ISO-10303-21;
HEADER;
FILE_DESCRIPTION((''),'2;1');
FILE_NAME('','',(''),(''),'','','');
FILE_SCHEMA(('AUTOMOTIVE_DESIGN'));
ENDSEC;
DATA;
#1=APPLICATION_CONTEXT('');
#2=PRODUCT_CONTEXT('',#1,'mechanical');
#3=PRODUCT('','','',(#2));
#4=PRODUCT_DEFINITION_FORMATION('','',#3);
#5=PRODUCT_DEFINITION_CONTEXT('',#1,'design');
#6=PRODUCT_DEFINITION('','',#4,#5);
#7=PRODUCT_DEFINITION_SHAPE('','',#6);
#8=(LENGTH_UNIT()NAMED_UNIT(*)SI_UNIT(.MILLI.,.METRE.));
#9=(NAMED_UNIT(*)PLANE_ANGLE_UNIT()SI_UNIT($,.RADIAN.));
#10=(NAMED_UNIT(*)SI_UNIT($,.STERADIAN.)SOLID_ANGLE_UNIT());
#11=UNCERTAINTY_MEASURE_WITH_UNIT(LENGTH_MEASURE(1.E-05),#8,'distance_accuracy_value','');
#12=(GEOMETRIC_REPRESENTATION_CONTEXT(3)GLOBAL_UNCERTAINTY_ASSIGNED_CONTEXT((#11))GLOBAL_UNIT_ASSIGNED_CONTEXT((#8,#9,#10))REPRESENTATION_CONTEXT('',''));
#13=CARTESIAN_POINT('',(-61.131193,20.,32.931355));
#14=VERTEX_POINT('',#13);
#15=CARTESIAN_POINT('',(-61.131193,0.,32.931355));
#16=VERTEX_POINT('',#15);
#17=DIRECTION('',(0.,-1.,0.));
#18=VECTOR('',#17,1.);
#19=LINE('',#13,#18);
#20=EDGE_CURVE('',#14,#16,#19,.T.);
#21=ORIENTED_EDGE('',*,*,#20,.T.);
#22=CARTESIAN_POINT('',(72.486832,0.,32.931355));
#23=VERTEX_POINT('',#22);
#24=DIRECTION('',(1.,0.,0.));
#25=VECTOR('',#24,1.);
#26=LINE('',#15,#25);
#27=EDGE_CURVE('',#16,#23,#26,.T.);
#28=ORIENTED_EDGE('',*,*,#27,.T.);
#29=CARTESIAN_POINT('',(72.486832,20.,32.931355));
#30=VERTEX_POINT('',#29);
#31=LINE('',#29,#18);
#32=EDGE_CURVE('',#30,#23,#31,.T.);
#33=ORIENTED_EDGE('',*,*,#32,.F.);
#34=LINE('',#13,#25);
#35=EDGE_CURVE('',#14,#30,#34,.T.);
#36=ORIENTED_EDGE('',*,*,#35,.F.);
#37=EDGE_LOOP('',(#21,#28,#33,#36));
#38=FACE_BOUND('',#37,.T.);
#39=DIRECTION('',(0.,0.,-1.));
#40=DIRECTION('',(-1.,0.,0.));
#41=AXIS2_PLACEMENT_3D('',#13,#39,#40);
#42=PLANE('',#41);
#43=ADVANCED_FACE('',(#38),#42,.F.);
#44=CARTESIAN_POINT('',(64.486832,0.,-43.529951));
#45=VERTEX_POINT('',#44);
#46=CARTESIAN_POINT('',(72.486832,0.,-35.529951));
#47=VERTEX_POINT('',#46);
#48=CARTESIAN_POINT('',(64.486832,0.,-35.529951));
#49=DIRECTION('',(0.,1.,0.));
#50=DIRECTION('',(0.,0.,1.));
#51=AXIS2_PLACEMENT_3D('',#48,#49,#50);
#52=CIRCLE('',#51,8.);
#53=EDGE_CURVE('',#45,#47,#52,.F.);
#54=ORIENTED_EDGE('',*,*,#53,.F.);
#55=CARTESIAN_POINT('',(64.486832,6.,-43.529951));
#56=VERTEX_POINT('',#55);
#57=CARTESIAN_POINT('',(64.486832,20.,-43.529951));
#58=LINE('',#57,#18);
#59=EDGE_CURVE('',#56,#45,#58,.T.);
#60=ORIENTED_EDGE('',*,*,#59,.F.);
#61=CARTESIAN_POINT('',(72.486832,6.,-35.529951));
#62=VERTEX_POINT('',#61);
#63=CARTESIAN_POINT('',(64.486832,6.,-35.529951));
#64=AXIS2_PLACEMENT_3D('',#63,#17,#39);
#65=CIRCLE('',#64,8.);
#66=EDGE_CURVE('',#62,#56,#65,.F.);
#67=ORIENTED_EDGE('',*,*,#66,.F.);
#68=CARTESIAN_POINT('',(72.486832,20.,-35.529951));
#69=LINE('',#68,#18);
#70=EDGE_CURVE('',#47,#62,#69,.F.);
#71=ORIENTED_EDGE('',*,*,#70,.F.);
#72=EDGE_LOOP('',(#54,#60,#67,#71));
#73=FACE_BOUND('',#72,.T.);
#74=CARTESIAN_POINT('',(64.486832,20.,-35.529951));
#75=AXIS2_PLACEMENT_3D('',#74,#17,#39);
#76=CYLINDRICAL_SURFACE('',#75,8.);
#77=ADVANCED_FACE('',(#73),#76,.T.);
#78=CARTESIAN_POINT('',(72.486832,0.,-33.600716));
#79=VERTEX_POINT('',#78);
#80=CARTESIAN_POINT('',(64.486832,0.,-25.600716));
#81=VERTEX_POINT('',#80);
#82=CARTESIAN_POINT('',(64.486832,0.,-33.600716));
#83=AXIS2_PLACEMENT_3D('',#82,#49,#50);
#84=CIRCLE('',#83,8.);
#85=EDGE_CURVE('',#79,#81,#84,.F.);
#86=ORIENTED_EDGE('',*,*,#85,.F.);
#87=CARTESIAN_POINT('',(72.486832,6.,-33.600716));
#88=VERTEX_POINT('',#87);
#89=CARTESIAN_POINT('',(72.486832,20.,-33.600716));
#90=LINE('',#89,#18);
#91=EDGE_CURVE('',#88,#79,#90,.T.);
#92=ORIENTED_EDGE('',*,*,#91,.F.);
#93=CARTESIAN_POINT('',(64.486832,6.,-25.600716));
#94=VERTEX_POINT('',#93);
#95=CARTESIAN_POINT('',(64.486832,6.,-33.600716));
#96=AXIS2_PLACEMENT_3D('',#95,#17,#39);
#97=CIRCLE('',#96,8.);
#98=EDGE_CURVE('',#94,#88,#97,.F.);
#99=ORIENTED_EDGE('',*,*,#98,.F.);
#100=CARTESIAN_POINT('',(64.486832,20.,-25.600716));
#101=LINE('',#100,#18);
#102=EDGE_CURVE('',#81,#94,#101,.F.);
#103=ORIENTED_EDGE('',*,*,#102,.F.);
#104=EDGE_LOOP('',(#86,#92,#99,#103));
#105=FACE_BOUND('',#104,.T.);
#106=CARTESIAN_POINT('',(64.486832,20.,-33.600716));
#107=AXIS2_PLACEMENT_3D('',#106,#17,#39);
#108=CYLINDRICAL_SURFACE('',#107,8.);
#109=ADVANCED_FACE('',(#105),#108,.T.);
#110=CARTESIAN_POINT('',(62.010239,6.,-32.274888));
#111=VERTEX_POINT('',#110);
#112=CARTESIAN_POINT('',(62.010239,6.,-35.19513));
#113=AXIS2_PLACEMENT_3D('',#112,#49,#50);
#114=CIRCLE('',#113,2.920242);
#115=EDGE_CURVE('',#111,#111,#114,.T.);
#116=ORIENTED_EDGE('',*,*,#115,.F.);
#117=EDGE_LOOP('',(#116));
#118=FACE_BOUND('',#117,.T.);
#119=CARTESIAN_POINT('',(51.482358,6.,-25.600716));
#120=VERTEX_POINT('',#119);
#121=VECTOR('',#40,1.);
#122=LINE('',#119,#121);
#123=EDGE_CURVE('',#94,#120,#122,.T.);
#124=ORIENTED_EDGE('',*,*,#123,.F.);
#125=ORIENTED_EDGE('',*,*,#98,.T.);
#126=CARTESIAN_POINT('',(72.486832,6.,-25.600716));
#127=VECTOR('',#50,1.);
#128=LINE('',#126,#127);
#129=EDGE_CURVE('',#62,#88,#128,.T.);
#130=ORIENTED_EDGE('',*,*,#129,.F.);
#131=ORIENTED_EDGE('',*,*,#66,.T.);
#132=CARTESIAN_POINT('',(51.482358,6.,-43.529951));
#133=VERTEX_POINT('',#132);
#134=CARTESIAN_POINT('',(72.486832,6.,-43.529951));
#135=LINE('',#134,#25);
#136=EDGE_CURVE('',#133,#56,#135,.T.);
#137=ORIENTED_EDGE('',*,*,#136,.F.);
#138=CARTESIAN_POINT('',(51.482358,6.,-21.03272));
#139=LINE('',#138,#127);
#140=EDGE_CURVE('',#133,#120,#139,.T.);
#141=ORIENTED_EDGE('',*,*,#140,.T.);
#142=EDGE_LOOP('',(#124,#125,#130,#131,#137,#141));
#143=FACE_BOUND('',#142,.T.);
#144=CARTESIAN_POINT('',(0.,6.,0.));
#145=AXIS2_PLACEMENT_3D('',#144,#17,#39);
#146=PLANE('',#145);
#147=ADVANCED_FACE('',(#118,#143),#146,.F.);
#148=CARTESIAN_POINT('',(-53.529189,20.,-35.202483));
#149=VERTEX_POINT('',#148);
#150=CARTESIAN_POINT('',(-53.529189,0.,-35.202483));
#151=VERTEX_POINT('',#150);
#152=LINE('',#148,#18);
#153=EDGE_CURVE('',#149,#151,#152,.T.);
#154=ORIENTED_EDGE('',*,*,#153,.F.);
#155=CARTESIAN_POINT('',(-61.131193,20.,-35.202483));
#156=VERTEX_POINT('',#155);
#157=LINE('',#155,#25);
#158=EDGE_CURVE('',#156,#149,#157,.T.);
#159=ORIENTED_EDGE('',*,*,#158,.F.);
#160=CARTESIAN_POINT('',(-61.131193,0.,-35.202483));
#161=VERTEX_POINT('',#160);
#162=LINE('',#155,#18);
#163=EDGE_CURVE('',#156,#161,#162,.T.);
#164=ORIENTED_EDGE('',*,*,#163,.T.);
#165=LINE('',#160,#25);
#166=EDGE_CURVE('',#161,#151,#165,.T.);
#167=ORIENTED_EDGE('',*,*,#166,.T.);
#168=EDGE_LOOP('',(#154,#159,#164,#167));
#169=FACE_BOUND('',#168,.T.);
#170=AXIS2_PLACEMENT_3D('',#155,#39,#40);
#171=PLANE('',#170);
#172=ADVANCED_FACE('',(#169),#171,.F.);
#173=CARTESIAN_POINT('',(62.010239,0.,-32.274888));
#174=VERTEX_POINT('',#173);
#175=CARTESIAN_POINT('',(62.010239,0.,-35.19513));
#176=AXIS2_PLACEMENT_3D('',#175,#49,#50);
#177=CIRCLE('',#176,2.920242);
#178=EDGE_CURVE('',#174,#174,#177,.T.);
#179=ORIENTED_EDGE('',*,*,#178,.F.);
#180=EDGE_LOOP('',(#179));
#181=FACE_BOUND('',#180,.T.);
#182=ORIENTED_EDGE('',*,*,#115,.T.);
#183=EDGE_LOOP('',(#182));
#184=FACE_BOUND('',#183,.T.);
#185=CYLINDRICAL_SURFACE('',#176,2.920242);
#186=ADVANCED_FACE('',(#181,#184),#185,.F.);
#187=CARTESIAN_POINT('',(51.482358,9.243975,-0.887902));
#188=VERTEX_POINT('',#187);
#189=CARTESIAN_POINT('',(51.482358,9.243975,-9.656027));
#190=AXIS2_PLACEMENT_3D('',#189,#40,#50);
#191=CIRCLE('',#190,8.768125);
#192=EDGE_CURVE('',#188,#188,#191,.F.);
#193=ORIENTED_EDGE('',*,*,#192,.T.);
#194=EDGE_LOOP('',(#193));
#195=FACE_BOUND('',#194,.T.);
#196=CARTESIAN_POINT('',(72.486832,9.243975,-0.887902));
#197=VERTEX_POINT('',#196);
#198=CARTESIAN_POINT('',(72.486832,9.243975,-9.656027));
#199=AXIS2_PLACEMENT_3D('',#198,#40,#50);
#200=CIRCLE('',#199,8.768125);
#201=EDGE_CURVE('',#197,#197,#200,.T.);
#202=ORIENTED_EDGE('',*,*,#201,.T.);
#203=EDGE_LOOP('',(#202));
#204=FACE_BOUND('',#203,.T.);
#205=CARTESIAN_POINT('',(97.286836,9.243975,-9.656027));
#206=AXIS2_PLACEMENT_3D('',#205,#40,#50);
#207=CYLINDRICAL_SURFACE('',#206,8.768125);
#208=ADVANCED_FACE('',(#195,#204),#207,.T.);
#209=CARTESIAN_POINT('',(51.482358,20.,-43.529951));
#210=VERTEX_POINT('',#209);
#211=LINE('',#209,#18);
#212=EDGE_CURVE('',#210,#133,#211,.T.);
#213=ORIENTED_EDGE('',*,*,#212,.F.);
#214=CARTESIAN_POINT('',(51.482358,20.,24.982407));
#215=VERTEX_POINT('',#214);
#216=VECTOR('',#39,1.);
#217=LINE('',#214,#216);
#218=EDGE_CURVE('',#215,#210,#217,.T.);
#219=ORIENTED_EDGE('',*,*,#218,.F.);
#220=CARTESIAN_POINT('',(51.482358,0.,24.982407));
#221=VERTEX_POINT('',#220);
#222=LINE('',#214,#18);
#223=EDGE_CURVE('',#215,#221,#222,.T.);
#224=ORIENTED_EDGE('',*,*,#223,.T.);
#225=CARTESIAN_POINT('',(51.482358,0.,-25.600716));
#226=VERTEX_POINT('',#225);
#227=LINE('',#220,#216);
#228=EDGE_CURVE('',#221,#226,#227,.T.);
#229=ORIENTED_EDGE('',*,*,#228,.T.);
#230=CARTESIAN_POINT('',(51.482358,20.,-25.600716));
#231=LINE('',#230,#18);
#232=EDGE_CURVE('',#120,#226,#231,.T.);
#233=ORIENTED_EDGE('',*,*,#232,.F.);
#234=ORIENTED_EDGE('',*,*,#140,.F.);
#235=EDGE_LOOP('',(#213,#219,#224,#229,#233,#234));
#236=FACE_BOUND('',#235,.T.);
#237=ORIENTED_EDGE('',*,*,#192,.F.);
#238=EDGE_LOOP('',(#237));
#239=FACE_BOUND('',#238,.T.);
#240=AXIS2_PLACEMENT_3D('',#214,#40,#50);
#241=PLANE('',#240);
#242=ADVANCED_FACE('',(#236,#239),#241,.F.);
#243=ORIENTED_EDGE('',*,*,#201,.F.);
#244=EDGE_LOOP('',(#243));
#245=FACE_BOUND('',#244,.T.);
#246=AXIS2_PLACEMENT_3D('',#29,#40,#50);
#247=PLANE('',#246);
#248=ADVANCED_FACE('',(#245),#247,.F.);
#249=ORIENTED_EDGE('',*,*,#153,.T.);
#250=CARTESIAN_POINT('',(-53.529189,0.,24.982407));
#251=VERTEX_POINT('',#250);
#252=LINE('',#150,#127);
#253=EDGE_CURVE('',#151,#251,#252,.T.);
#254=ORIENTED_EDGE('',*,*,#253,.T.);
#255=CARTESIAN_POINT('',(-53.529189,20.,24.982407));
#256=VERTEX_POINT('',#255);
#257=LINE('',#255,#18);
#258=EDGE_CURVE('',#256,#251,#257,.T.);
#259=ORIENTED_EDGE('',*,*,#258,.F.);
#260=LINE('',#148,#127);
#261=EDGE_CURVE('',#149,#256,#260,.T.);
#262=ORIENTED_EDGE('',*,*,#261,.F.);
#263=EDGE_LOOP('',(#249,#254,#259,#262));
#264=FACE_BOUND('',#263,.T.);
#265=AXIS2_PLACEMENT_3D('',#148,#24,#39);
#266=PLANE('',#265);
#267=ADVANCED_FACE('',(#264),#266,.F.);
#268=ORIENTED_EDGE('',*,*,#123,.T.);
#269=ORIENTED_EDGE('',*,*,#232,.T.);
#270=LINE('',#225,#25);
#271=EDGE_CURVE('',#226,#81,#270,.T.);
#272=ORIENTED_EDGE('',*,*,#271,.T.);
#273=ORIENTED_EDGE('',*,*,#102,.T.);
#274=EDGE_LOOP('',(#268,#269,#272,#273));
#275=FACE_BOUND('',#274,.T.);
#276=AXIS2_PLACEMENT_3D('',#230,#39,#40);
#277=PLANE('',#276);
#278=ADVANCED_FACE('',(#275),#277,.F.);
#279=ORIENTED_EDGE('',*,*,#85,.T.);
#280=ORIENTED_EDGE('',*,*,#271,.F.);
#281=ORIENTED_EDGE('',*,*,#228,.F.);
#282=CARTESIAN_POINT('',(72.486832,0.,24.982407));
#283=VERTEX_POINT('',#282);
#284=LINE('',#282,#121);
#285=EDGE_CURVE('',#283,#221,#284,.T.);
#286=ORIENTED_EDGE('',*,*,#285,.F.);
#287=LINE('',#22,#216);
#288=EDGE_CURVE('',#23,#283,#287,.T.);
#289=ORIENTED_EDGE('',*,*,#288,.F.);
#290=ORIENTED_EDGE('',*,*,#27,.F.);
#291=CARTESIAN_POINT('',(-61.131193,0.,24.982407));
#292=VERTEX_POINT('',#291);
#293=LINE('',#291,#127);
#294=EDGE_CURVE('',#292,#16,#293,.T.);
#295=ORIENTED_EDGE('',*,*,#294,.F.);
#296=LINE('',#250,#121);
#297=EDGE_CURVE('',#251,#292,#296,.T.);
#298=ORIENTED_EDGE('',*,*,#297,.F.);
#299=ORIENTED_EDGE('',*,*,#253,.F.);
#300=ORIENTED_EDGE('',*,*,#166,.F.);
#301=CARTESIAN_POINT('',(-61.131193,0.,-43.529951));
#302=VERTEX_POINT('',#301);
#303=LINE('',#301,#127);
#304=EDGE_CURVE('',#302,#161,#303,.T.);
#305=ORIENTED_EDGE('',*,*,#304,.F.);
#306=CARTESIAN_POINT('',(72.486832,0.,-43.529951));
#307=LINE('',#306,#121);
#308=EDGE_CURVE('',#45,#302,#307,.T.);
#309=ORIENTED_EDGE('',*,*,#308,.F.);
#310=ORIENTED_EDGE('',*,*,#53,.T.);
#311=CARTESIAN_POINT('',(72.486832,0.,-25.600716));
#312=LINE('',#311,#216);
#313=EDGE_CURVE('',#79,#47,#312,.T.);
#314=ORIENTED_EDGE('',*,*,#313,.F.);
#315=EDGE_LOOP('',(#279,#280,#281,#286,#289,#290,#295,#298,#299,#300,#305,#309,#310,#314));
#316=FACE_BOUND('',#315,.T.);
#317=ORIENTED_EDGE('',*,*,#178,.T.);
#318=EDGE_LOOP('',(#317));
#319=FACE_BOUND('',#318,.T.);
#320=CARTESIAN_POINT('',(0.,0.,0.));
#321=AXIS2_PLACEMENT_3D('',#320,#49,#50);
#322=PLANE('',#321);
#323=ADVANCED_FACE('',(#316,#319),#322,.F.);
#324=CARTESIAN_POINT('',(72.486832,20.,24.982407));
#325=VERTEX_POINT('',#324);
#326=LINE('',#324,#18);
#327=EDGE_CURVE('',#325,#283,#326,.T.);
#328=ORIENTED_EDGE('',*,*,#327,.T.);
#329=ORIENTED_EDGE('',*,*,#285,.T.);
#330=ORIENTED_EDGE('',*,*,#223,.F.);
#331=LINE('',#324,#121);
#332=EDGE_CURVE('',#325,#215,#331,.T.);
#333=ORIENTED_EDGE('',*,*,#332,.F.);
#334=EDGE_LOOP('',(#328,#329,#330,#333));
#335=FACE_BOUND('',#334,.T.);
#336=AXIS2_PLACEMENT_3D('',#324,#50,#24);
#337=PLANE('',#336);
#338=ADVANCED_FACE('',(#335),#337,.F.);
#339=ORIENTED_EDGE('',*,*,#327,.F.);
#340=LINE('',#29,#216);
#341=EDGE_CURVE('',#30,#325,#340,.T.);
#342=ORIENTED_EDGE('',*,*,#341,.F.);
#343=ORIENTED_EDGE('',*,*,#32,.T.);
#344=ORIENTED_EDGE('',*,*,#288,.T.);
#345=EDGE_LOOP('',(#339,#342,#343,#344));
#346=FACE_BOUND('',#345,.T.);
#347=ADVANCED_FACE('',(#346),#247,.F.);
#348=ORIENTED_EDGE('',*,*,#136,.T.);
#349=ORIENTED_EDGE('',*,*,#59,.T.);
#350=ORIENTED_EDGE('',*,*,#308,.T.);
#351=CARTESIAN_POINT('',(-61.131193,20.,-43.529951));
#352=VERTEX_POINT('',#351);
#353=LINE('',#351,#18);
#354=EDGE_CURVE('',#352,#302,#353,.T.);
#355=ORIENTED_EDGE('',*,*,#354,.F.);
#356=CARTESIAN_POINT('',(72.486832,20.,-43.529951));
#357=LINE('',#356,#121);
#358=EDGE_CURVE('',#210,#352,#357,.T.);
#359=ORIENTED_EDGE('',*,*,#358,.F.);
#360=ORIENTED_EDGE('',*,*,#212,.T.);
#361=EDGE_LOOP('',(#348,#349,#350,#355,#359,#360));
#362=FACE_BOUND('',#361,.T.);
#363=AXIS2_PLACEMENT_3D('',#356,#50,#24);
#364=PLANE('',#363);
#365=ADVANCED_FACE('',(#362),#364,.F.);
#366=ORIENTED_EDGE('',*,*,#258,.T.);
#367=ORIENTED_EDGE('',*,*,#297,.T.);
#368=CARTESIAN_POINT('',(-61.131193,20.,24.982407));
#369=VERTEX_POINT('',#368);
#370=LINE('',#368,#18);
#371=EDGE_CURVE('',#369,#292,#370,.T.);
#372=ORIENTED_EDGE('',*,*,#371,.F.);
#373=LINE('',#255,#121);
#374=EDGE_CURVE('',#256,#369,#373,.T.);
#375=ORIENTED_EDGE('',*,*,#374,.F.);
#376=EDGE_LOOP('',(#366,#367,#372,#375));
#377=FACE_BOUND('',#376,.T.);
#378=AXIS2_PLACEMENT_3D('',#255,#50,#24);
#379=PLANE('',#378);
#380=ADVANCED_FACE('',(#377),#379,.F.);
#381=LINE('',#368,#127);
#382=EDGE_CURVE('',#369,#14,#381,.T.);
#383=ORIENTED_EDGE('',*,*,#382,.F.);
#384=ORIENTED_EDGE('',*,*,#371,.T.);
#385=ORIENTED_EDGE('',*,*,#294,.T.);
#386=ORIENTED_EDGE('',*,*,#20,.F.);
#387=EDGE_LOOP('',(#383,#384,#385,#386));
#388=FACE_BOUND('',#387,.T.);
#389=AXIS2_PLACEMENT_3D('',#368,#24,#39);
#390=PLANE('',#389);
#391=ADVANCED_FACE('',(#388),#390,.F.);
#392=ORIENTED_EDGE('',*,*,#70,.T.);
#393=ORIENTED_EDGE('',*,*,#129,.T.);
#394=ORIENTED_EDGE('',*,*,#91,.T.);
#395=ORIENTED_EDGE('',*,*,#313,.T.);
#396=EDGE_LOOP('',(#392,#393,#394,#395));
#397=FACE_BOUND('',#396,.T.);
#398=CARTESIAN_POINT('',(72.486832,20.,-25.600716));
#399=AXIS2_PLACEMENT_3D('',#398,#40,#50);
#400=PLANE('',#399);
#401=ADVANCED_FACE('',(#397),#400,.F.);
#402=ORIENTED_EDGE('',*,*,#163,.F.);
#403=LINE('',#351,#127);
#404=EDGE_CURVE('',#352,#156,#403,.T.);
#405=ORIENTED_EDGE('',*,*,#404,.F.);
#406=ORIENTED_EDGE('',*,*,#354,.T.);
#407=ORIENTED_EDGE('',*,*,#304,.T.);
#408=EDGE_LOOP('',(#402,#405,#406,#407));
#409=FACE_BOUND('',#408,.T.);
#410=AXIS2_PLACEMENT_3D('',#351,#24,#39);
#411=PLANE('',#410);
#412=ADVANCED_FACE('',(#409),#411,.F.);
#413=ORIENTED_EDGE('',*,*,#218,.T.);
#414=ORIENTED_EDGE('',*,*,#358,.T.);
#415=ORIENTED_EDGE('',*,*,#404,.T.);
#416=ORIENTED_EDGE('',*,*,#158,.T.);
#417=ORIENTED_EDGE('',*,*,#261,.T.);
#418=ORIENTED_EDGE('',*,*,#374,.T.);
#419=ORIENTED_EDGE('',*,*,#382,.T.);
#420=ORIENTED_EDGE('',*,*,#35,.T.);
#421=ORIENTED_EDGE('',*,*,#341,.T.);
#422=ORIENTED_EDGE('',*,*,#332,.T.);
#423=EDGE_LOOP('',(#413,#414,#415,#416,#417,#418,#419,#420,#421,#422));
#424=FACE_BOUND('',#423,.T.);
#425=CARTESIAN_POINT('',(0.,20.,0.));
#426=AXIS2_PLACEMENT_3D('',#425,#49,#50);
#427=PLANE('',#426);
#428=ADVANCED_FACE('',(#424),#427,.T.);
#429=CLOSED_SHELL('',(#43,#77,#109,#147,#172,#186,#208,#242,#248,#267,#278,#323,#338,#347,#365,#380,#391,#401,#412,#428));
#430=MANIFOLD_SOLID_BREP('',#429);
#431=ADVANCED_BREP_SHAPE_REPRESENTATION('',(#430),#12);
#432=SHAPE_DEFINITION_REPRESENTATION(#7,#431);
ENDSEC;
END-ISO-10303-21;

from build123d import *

# Parameters (mm, degrees)
BOSS_EXTRUDE1_DEPTH = 20
FILLET1_R           = 8
SKETCH2_W           = 25.416334399
SKETCH2_H           = 26.69942318
CUT_EXTRUDE1_DEPTH  = 14
SKETCH3_R           = 2.920242488
CUT_EXTRUDE2_DEPTH  = 7
SKETCH4_R           = 8.768125441
BOSS_EXTRUDE2_DEPTH = 21.004475


with BuildPart() as part:
    # Sketch1 → Boss-Extrude1 (new body)
    with BuildSketch(Plane(origin=(0, 0, 0), x_dir=(1, 0, 0), z_dir=(0, 1, 0))):
        Polygon((-61.131192742, -32.931354604), (72.486832261, -32.931354604), (72.486832261, -24.982406941), (51.482357687, -24.982406941), (51.482357687, 25.600715877), (72.486832261, 25.600715877), (72.486832261, 43.529951488), (-61.131192742, 43.529951488), (-61.131192742, 35.202482508), (-53.52918853, 35.202482508), (-53.52918853, -24.982406941), (-61.131192742, -24.982406941), align=None)
    extrude(amount=BOSS_EXTRUDE1_DEPTH)

    # Fillet1
    fillet1_edges = [part.edges().sort_by_distance(p)[0] for p in [
        (72.486832261, 10, -43.529951488),
        (72.486832261, 10, -25.600715877),
    ]]
    fillet(fillet1_edges, radius=FILLET1_R)

    # Sketch2 → Cut-Extrude1 (cut)
    with BuildSketch(Plane(origin=(0, 20, 0), x_dir=(1, 0, 0), z_dir=(0, 1, 0))):
        with Locations((64.190524887, 34.382431467)):
            Rectangle(SKETCH2_W, SKETCH2_H)
    extrude(amount=-CUT_EXTRUDE1_DEPTH, mode=Mode.SUBTRACT)

    # Sketch3 → Cut-Extrude2 (cut, through all)
    with BuildSketch(Plane(origin=(0, 6, 0), x_dir=(1, 0, 0), z_dir=(0, 1, 0))):
        with Locations(Location((62.010238624, 35.19513013, 0), (0, 0, 270))):  # turned: the seam where the file's is
            Circle(SKETCH3_R)
    extrude(amount=-CUT_EXTRUDE2_DEPTH, mode=Mode.SUBTRACT)

    # Sketch4 → Boss-Extrude2 (add)
    with BuildSketch(Plane(origin=(51.482357687, 0, 0), x_dir=(0, 0, -1), z_dir=(1, 0, 0))):
        with Locations(Location((9.656027264, 9.243975153, 0), (0, 0, 180))):  # turned: the seam where the file's is
            Circle(SKETCH4_R)
    extrude(amount=BOSS_EXTRUDE2_DEPTH)


solid = part.part
